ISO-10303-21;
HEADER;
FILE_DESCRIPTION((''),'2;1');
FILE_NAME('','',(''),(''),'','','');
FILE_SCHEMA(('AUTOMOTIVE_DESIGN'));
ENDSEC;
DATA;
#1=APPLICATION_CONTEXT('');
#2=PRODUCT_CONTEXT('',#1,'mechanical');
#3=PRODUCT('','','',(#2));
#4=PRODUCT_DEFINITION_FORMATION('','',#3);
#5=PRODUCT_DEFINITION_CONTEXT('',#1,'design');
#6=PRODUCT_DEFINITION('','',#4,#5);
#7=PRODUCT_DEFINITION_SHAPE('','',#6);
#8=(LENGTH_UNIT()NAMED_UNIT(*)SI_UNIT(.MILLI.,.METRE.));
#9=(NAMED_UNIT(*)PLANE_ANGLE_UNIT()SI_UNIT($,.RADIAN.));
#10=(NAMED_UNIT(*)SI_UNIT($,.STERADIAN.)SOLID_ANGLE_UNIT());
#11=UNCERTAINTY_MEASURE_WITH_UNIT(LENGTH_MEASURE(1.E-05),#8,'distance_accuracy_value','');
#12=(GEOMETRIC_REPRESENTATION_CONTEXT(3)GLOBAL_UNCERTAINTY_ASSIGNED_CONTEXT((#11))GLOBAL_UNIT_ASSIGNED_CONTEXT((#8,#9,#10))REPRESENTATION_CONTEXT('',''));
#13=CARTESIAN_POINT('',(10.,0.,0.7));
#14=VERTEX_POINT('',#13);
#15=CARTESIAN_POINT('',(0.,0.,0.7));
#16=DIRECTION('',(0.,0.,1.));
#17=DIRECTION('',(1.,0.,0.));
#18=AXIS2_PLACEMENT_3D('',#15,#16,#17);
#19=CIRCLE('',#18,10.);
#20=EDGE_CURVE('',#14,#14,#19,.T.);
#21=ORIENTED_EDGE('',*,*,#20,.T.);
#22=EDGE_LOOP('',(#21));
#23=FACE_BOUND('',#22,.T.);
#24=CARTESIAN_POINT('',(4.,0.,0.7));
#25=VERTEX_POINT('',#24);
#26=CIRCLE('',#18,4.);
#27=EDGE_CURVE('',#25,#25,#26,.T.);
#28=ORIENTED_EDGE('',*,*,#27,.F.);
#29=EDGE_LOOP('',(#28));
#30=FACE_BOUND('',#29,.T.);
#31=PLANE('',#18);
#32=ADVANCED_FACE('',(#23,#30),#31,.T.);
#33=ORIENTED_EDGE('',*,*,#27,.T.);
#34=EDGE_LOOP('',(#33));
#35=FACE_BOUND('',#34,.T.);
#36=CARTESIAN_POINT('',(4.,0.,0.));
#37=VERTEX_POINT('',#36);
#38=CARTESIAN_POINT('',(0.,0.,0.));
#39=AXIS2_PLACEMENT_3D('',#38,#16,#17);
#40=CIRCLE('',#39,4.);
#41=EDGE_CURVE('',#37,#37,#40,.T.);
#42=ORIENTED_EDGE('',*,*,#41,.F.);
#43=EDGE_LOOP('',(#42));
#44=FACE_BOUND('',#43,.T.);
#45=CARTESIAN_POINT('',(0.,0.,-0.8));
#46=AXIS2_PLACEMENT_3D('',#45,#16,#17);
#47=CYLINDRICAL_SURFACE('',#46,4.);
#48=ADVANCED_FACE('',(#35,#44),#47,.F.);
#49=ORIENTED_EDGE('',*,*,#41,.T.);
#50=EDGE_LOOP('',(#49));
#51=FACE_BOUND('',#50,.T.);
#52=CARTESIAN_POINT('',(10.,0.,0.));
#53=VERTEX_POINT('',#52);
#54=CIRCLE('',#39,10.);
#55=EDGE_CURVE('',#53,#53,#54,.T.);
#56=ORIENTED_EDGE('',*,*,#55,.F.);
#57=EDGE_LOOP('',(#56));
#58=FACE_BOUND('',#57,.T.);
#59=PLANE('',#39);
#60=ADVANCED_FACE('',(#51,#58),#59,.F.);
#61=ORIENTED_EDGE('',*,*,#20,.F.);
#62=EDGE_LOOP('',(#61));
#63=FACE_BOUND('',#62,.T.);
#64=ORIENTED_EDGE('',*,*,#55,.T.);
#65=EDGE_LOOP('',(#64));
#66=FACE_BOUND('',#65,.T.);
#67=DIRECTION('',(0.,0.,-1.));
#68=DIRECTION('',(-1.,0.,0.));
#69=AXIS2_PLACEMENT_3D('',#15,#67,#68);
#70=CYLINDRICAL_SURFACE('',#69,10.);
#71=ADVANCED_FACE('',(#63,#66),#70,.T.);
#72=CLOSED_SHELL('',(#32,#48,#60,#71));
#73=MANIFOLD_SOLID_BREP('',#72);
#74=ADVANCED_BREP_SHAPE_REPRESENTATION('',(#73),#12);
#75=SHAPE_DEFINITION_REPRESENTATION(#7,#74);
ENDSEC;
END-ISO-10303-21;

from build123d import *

# Parameters (mm, degrees)
ESQUISSE1_R             = 10
BOSS_EXTRU_1_DEPTH      = 0.7
ESQUISSE2_R             = 4
ENL_V_MAT_EXTRU_1_DEPTH = 1.5


with BuildPart() as part:
    # Esquisse1 → Boss.-Extru.1 (new body)
    with BuildSketch(Plane.XY):
        Circle(ESQUISSE1_R)
    extrude(amount=BOSS_EXTRU_1_DEPTH)

    # Esquisse2 → Enlèv. mat.-Extru.1 (cut)
    with BuildSketch(Plane.XY.offset(0.7)):
        Circle(ESQUISSE2_R)
    extrude(amount=-ENL_V_MAT_EXTRU_1_DEPTH, mode=Mode.SUBTRACT)


solid = part.part
